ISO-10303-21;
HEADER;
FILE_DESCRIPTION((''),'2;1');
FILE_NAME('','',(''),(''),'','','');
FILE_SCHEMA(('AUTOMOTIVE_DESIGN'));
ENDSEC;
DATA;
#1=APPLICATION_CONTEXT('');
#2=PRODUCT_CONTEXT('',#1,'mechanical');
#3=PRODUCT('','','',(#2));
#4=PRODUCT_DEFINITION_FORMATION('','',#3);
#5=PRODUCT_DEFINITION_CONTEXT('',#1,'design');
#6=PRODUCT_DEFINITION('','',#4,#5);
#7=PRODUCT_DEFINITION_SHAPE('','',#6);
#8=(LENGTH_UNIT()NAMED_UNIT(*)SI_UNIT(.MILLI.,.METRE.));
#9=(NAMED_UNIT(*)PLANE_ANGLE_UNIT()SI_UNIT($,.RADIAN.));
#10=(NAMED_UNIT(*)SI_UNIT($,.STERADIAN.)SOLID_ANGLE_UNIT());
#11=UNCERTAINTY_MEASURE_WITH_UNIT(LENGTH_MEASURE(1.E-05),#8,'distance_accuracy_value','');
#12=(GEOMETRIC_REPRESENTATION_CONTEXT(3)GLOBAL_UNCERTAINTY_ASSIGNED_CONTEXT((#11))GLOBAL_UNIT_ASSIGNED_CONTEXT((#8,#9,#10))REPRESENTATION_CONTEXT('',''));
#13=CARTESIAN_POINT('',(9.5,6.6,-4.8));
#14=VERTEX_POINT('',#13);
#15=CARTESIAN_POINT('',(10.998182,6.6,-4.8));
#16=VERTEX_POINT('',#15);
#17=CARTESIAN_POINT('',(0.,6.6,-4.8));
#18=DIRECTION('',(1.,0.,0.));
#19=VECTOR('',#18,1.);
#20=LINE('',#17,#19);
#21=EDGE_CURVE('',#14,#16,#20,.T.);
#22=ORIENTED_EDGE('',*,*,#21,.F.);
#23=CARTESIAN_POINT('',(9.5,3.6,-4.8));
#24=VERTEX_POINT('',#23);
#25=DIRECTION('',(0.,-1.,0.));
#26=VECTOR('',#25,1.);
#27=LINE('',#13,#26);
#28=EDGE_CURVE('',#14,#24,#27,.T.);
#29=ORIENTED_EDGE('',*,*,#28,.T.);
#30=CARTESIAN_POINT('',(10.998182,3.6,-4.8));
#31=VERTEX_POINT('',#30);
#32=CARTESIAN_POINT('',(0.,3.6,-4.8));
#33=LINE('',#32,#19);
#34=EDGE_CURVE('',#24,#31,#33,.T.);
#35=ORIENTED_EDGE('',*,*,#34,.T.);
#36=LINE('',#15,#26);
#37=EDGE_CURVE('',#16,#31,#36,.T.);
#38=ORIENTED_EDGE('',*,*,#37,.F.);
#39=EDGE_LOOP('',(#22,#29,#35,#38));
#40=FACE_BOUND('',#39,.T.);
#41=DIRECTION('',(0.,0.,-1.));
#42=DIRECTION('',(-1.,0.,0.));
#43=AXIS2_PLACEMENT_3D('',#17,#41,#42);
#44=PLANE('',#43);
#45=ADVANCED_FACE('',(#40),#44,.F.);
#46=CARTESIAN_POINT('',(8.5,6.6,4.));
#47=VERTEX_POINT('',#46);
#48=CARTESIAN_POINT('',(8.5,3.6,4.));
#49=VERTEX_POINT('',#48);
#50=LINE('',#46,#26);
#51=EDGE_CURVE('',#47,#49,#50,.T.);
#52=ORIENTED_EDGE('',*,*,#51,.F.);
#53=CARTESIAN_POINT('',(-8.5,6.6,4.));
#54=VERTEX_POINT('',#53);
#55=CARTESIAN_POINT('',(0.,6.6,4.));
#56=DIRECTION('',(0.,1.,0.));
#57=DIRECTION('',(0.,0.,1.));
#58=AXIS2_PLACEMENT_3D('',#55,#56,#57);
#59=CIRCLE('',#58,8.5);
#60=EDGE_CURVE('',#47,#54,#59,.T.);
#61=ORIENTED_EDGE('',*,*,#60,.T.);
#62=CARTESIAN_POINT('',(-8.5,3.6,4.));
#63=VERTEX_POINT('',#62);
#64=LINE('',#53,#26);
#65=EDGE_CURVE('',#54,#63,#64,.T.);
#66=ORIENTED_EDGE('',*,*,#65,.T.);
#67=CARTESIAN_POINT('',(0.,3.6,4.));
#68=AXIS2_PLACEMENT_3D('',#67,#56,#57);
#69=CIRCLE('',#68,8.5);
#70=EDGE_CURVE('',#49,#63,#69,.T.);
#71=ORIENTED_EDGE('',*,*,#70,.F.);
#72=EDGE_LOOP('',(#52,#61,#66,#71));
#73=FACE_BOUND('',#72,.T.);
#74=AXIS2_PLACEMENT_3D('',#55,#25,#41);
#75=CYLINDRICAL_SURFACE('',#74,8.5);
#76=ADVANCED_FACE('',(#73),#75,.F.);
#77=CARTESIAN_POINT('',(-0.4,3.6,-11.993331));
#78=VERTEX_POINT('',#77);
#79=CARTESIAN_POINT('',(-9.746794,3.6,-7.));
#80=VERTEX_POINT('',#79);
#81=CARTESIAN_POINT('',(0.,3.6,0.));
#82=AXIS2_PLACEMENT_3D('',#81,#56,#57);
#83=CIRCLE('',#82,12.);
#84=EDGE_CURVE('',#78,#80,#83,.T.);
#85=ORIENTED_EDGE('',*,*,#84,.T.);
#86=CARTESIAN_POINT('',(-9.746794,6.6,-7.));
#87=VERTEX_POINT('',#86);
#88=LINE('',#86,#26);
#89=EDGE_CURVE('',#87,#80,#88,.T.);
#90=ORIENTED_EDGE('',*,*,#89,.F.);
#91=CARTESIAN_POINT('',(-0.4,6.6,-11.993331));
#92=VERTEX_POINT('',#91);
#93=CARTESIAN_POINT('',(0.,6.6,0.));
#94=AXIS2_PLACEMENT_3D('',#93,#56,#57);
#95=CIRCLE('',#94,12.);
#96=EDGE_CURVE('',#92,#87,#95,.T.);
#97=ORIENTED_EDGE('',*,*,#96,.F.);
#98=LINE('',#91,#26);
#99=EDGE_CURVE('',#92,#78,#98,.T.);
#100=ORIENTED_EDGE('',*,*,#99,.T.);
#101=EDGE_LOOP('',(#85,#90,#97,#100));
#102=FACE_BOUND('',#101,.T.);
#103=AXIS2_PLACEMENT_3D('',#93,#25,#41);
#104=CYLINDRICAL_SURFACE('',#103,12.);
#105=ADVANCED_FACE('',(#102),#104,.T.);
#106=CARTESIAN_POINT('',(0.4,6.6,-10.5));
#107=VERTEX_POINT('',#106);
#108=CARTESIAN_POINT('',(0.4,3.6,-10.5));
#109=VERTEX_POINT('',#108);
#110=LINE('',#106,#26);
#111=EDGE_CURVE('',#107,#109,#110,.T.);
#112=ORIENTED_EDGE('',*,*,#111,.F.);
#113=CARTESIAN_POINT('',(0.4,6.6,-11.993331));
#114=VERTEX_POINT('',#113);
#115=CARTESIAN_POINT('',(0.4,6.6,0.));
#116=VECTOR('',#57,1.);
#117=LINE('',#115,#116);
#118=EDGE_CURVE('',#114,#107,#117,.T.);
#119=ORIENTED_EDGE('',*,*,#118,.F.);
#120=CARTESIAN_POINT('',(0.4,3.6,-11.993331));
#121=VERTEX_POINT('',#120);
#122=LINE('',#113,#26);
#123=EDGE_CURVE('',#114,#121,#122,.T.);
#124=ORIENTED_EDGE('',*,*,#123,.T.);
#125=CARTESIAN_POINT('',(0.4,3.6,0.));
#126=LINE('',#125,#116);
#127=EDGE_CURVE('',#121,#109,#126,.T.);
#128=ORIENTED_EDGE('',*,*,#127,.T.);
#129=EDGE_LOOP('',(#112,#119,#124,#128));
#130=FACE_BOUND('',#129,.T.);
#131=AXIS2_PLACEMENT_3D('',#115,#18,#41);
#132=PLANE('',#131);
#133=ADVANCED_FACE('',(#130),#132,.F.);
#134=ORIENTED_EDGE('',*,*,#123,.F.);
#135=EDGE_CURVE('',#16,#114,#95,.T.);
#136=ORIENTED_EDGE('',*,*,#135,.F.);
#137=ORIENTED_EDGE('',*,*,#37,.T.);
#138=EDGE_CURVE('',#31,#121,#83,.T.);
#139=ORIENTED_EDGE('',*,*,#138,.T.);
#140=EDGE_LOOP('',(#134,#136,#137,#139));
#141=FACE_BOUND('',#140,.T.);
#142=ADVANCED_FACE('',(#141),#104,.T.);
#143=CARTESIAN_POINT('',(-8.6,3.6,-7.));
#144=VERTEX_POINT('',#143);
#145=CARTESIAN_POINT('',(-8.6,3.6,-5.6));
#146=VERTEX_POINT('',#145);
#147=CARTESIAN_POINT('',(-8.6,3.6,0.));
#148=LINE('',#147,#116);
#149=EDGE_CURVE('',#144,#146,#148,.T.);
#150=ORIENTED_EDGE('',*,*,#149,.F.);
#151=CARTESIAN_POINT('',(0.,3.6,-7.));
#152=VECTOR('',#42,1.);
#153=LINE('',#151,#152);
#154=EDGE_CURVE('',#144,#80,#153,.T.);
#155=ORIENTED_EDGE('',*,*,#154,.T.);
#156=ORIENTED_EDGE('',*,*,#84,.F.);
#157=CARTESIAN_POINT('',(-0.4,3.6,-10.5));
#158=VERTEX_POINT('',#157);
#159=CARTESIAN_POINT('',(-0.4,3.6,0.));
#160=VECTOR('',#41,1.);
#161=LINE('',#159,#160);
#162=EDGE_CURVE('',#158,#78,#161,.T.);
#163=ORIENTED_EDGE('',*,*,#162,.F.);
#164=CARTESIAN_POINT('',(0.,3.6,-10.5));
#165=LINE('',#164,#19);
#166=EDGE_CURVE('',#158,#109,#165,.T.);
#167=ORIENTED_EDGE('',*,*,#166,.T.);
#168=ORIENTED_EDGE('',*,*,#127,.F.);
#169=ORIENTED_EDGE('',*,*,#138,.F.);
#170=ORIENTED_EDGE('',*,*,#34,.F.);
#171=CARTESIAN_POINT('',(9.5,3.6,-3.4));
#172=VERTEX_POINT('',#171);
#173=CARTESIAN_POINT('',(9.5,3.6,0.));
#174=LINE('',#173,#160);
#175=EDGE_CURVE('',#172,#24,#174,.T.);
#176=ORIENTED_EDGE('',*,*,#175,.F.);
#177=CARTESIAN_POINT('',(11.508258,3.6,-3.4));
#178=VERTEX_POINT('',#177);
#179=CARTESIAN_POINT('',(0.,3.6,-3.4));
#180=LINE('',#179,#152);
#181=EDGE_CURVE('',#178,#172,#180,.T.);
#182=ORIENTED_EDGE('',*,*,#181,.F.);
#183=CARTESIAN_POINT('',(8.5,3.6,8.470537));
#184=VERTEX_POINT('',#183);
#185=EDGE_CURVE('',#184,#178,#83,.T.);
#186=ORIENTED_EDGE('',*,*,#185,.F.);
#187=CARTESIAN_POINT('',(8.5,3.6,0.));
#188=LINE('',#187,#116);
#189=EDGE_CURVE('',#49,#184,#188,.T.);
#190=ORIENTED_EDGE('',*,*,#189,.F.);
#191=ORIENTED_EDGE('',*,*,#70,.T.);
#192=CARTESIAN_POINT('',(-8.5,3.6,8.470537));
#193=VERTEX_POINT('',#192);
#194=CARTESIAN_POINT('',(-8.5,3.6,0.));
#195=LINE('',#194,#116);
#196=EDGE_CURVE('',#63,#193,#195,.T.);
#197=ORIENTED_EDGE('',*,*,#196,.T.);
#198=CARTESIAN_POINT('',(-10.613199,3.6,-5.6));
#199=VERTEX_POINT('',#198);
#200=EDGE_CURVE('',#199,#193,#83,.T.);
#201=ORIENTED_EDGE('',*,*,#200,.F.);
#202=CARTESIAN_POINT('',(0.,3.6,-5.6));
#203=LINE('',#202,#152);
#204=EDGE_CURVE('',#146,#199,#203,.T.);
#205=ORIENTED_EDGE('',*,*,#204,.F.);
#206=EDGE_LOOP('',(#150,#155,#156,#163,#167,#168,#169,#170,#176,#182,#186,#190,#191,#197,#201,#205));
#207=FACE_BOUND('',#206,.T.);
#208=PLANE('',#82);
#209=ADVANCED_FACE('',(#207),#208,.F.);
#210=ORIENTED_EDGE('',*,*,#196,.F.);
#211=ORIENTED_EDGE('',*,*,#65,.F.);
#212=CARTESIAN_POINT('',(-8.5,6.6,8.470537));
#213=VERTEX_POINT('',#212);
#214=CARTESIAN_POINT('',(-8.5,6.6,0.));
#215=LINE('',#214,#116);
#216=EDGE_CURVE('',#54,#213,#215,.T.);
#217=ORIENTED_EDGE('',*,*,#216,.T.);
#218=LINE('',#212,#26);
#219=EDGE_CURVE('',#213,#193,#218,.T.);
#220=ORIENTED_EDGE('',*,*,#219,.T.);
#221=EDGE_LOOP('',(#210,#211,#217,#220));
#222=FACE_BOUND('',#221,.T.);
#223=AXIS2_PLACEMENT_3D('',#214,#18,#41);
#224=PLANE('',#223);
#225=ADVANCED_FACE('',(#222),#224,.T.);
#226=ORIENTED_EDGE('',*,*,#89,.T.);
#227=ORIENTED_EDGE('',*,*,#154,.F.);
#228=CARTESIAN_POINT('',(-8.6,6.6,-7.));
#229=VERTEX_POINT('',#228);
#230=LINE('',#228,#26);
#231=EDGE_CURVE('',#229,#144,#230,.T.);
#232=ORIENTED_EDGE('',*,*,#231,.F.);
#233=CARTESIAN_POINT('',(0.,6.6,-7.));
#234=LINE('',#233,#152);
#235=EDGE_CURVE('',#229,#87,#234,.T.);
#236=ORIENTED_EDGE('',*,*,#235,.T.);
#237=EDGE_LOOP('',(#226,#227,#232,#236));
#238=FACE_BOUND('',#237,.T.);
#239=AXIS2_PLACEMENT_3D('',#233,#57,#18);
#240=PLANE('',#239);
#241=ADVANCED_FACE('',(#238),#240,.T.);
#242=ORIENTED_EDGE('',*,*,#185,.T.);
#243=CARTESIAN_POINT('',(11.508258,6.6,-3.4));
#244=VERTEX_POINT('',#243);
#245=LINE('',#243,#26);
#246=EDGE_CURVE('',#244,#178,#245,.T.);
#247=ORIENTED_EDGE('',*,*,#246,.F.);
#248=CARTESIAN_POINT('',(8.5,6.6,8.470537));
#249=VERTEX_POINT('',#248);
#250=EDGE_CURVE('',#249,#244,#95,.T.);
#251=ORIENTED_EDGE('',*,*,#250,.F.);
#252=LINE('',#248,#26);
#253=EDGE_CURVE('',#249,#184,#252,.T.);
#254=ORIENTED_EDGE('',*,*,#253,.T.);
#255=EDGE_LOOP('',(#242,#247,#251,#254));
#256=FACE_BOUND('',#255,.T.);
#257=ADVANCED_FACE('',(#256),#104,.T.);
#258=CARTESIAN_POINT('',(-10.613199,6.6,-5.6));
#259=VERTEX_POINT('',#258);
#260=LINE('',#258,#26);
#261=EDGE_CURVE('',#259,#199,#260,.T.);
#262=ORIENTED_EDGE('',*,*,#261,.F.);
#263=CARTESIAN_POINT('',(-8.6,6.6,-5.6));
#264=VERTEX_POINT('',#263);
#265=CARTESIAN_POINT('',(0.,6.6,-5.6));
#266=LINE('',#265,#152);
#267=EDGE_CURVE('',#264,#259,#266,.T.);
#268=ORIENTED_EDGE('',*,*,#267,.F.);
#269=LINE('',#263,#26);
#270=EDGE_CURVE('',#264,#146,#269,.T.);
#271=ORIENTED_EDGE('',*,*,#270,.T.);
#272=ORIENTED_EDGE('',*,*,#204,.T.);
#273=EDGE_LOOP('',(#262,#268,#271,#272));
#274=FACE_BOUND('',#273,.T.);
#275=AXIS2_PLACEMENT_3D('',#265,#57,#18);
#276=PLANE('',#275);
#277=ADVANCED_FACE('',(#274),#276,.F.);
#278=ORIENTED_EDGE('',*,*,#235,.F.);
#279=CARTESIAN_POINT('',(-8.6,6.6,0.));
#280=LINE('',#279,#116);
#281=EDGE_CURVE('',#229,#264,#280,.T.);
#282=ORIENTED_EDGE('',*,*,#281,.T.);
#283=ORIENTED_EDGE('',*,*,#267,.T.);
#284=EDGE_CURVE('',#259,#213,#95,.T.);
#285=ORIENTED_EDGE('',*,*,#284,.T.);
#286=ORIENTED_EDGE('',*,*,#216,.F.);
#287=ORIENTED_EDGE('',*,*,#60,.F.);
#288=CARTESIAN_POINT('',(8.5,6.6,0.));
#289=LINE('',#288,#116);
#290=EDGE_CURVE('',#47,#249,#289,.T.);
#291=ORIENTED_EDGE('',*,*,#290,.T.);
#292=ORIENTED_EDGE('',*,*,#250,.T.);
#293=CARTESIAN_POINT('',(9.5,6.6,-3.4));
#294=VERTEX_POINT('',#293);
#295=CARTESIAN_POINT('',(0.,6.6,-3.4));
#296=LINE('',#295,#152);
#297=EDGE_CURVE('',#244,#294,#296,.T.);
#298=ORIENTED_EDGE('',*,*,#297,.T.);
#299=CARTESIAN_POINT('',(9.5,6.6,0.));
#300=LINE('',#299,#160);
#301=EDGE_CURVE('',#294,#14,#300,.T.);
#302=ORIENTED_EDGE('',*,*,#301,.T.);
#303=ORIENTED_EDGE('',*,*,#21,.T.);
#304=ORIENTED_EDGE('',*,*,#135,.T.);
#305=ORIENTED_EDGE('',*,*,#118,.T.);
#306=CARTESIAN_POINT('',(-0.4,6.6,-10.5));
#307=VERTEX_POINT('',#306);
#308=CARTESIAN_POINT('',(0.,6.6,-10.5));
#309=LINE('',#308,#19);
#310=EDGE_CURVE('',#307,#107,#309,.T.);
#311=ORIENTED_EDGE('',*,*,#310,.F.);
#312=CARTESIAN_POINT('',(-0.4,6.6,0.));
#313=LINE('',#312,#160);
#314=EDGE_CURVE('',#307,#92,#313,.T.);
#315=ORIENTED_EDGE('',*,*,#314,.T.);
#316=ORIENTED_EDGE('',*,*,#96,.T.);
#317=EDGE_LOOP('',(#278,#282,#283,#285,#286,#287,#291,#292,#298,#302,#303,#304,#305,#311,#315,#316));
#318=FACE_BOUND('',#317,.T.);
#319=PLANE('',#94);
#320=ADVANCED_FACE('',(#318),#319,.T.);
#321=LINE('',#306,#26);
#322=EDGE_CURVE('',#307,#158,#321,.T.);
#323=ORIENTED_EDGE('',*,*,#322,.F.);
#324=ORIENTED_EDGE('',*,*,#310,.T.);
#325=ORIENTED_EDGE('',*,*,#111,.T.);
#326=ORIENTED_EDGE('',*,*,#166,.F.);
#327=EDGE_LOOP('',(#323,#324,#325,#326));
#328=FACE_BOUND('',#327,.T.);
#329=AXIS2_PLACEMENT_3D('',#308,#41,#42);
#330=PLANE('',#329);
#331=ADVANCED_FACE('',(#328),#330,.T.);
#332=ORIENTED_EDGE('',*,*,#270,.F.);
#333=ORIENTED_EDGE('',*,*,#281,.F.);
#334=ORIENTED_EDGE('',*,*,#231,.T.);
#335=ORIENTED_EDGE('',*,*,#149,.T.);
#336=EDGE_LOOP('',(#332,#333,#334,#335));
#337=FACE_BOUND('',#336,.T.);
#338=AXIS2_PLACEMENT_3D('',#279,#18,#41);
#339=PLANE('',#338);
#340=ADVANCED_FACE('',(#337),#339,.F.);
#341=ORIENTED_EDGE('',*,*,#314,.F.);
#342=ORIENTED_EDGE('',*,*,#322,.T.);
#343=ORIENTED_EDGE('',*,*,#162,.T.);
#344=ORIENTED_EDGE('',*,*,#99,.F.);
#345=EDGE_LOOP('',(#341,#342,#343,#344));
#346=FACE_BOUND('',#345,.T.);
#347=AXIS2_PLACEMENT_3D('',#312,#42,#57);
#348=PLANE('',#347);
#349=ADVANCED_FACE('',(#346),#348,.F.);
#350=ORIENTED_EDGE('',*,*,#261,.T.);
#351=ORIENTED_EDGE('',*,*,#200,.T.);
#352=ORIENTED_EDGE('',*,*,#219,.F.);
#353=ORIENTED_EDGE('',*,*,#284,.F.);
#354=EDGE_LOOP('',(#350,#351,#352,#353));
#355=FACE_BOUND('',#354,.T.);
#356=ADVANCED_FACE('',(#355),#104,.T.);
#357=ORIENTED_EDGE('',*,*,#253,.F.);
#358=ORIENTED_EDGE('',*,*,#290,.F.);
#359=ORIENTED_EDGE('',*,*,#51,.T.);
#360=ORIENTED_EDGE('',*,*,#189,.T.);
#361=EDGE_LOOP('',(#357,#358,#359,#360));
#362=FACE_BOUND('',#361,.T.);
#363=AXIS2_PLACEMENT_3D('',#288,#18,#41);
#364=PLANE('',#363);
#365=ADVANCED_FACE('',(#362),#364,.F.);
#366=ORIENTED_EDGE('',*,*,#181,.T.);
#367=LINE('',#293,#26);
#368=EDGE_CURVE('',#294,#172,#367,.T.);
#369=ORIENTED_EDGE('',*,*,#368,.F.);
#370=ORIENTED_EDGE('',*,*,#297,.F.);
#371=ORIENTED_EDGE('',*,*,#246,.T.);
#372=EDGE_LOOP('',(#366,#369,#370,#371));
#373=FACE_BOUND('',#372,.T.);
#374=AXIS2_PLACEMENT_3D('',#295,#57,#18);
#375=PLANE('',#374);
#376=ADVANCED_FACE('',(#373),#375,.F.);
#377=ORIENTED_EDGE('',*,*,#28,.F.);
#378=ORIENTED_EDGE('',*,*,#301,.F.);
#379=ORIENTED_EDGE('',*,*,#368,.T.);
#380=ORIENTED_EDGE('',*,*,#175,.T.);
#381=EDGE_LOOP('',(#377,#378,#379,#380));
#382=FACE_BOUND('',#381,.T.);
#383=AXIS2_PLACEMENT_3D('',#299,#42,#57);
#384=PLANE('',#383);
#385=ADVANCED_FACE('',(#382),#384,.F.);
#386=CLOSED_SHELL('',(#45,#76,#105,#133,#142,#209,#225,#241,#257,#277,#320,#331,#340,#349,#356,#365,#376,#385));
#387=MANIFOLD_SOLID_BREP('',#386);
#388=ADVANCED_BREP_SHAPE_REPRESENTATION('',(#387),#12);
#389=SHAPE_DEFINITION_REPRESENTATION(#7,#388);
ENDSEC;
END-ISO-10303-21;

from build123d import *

# Parameters (mm, degrees)
BOSS_EXTRUDE1_DEPTH = 3


with BuildPart() as part:
    # Sketch1 → Boss-Extrude1 (new body)
    with BuildSketch(Plane(origin=(0, 3.6, 0), x_dir=(1, 0, 0), z_dir=(0, 1, 0))):
        with BuildLine():
            Line((-8.6, 7), (-8.6, 5.6))
            Line((-8.6, 5.6), (-10.613199329, 5.6))
            ThreePointArc((-10.613199329, 5.6), (-11.866912034, -1.782245428), (-8.5, -8.470537173))
            Line((-8.5, -8.470537173), (-8.5, -4))
            ThreePointArc((-8.5, -4), (0, 4.5), (8.5, -4))
            Line((8.5, -4), (8.5, -8.470537173))
            ThreePointArc((8.5, -8.470537173), (11.632283064, -2.947879019), (11.508257905, 3.4))
            Line((11.508257905, 3.4), (9.5, 3.4))
            Line((9.5, 3.4), (9.5, 4.8))
            Line((9.5, 4.8), (10.998181668, 4.8))
            ThreePointArc((10.998181668, 4.8), (6.985647075, 9.757086397), (1, 11.958260743))
            Line((1, 11.958260743), (1, 10.5))
            Line((1, 10.5), (0.4, 10.5))
            Line((0.4, 10.5), (-0.4, 10.5))
            Line((-0.4, 10.5), (-0.4, 11.99333148))
            ThreePointArc((-0.4, 11.99333148), (-5.654440617, 10.584295031), (-9.746794345, 7))
            Line((-9.746794345, 7), (-8.6, 7))
        make_face()
        with BuildLine():
            Line((0.4, 11.99333148), (0.4, 10.5))
            Line((0.4, 10.5), (1, 10.5))
            Line((1, 10.5), (1, 11.958260743))
            ThreePointArc((1, 11.958260743), (0.700219601, 11.979553101), (0.4, 11.99333148))
        make_face()
    extrude(amount=BOSS_EXTRUDE1_DEPTH)


solid = part.part
